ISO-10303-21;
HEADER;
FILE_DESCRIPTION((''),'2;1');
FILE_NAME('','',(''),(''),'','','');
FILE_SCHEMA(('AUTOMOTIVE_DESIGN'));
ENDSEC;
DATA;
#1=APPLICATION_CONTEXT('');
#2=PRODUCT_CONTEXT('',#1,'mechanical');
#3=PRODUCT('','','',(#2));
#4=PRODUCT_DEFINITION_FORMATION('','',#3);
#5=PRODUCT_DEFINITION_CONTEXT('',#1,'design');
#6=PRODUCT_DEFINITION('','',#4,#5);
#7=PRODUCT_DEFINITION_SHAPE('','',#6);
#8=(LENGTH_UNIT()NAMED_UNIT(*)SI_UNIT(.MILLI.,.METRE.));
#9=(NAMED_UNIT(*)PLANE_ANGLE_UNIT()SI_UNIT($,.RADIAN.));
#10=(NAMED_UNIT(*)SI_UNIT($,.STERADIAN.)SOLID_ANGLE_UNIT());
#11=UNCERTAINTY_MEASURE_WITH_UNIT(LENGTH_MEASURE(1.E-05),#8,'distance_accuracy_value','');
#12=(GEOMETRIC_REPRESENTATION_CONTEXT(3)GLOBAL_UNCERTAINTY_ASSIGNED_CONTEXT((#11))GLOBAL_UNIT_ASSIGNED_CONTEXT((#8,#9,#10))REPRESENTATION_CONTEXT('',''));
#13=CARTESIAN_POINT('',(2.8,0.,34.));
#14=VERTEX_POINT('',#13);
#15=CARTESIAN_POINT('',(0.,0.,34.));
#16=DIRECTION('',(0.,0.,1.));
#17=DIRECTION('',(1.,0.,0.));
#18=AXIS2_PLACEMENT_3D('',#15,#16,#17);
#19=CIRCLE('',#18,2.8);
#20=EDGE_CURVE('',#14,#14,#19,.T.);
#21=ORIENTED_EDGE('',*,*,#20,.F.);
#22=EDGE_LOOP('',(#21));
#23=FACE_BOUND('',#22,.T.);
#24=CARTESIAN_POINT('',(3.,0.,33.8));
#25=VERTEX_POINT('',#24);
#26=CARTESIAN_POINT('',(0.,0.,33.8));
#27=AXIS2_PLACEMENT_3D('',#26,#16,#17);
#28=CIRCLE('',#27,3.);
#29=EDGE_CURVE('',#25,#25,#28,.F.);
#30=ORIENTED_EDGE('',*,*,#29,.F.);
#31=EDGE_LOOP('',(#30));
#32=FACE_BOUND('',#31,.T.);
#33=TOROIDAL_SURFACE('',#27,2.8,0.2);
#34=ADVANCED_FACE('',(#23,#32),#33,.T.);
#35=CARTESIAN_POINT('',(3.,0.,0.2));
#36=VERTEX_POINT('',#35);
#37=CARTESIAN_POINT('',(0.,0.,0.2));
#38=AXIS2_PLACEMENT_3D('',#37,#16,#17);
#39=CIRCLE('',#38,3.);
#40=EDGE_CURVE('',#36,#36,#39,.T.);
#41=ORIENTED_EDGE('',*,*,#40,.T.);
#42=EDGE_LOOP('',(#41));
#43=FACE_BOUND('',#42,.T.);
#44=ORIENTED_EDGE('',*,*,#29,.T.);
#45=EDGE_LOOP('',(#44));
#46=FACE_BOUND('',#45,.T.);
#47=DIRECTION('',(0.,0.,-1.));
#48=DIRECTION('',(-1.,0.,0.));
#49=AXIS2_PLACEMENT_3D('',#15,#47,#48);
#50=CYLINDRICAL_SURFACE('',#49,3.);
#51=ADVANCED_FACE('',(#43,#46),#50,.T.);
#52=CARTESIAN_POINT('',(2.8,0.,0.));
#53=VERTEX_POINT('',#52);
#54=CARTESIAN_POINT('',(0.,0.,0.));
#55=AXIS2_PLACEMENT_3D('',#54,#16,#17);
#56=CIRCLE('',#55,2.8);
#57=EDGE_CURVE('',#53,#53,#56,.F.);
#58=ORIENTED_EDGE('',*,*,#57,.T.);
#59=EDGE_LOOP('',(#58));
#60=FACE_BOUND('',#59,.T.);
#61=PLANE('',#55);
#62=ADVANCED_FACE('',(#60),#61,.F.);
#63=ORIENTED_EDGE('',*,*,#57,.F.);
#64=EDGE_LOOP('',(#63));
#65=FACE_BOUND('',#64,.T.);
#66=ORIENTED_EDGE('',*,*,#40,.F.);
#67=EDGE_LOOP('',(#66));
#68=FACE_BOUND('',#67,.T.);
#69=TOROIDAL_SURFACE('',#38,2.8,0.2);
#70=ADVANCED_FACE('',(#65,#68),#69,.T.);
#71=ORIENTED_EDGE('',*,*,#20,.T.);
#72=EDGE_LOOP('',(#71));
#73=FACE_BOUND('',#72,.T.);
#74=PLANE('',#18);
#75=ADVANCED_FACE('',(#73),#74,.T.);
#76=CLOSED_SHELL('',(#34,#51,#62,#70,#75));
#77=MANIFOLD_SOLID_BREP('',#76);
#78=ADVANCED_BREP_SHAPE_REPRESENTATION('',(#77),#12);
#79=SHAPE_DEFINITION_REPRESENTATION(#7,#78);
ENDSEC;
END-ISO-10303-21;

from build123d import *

# Parameters (mm, degrees)
SKETCH1_R           = 3
BOSS_EXTRUDE1_DEPTH = 34
FILLET1_R           = 0.2


with BuildPart() as part:
    # Sketch1 → Boss-Extrude1 (new body)
    with BuildSketch(Plane.XY):
        Circle(SKETCH1_R)
    extrude(amount=BOSS_EXTRUDE1_DEPTH)

    # Fillet1
    fillet1_edges = [part.edges().sort_by_distance(p)[0] for p in [
        (-3, 0, 0),
        (-3, 0, 34),
    ]]
    fillet(fillet1_edges, radius=FILLET1_R)


solid = part.part
